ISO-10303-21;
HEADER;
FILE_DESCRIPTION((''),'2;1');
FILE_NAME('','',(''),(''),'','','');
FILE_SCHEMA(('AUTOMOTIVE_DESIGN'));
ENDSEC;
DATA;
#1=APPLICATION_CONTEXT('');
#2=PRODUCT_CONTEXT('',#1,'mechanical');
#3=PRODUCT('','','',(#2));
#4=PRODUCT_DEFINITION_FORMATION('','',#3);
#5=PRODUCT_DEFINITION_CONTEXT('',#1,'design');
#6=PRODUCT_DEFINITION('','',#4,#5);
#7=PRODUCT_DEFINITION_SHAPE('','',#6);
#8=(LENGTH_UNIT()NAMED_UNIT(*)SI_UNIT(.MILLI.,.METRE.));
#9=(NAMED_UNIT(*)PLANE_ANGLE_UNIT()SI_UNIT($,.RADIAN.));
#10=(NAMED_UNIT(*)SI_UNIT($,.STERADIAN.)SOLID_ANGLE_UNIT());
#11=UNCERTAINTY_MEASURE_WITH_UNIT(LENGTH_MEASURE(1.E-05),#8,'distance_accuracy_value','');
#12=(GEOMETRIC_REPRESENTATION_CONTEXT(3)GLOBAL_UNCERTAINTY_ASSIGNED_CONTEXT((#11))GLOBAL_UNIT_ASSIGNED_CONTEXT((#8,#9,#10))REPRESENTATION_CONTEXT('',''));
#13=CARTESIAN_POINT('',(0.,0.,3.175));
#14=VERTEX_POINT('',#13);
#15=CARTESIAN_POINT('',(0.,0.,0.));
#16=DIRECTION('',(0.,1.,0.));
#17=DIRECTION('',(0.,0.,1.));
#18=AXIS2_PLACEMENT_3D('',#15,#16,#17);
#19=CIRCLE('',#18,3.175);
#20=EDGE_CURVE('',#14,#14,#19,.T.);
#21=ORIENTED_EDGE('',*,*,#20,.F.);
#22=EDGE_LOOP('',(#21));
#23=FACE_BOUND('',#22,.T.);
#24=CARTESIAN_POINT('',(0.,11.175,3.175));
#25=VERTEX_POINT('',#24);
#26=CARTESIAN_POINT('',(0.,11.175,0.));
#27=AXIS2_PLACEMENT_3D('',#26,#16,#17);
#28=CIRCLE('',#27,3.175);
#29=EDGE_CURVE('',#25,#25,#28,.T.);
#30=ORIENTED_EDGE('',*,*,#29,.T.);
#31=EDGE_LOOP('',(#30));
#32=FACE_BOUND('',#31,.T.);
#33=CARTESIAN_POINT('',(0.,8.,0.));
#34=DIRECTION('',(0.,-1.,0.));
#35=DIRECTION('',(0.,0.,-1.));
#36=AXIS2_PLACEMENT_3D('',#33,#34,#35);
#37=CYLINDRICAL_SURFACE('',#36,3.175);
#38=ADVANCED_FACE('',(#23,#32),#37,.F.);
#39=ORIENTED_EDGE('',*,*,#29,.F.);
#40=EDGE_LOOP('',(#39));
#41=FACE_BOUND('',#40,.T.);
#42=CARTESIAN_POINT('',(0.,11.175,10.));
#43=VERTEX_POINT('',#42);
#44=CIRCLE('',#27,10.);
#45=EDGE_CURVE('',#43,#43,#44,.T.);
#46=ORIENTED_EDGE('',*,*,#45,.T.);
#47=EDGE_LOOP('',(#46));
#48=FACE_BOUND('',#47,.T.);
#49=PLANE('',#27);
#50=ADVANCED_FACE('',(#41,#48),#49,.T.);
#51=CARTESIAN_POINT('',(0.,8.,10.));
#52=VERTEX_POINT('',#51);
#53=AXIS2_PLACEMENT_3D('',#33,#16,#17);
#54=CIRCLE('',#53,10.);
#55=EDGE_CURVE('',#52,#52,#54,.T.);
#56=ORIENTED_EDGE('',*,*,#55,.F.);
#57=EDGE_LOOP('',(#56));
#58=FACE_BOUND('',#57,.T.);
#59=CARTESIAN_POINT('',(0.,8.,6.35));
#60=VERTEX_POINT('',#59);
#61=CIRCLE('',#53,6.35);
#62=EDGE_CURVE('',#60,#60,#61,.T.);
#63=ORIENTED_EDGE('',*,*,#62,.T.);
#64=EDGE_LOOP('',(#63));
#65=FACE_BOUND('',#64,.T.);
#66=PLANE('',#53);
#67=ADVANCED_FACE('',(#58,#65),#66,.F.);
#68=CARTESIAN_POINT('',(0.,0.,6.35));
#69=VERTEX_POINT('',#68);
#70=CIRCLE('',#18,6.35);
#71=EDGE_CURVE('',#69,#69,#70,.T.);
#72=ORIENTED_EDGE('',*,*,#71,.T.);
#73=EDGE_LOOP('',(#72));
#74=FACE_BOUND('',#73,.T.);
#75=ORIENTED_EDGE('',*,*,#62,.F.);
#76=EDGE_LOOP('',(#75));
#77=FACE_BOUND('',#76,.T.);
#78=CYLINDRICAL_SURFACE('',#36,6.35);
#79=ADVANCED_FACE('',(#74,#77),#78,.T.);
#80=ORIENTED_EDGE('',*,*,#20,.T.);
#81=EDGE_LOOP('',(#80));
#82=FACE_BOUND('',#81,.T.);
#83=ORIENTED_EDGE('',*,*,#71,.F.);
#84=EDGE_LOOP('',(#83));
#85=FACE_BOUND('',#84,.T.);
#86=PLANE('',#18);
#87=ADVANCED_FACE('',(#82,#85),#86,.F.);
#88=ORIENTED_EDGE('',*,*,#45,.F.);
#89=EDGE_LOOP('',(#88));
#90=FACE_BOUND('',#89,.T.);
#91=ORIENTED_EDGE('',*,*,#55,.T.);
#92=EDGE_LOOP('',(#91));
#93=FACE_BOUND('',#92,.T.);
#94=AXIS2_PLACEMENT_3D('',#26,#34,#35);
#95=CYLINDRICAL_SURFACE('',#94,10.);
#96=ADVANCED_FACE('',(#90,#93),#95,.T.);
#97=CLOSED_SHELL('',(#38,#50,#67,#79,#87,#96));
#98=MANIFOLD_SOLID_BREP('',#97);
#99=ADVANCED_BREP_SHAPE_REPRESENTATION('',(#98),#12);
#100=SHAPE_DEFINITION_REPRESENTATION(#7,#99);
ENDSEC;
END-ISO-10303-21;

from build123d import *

# Parameters (mm, degrees)
SKETCH1_R           = 6.35
SKETCH1_R_2         = 3.175
BOSS_EXTRUDE1_DEPTH = 8
SKETCH2_R           = 10
SKETCH2_R_2         = 3.175
BOSS_EXTRUDE2_DEPTH = 3.175


with BuildPart() as part:
    # Sketch1 → Boss-Extrude1 (new body)
    with BuildSketch(Plane(origin=(0, 0, 0), x_dir=(1, 0, 0), z_dir=(0, 1, 0))):
        Circle(SKETCH1_R)
        Circle(SKETCH1_R_2, mode=Mode.SUBTRACT)
    extrude(amount=BOSS_EXTRUDE1_DEPTH)

    # Sketch2 → Boss-Extrude2 (add)
    with BuildSketch(Plane(origin=(0, 8, 0), x_dir=(1, 0, 0), z_dir=(0, 1, 0))):
        Circle(SKETCH2_R)
        Circle(SKETCH2_R_2, mode=Mode.SUBTRACT)
    extrude(amount=BOSS_EXTRUDE2_DEPTH)


solid = part.part
